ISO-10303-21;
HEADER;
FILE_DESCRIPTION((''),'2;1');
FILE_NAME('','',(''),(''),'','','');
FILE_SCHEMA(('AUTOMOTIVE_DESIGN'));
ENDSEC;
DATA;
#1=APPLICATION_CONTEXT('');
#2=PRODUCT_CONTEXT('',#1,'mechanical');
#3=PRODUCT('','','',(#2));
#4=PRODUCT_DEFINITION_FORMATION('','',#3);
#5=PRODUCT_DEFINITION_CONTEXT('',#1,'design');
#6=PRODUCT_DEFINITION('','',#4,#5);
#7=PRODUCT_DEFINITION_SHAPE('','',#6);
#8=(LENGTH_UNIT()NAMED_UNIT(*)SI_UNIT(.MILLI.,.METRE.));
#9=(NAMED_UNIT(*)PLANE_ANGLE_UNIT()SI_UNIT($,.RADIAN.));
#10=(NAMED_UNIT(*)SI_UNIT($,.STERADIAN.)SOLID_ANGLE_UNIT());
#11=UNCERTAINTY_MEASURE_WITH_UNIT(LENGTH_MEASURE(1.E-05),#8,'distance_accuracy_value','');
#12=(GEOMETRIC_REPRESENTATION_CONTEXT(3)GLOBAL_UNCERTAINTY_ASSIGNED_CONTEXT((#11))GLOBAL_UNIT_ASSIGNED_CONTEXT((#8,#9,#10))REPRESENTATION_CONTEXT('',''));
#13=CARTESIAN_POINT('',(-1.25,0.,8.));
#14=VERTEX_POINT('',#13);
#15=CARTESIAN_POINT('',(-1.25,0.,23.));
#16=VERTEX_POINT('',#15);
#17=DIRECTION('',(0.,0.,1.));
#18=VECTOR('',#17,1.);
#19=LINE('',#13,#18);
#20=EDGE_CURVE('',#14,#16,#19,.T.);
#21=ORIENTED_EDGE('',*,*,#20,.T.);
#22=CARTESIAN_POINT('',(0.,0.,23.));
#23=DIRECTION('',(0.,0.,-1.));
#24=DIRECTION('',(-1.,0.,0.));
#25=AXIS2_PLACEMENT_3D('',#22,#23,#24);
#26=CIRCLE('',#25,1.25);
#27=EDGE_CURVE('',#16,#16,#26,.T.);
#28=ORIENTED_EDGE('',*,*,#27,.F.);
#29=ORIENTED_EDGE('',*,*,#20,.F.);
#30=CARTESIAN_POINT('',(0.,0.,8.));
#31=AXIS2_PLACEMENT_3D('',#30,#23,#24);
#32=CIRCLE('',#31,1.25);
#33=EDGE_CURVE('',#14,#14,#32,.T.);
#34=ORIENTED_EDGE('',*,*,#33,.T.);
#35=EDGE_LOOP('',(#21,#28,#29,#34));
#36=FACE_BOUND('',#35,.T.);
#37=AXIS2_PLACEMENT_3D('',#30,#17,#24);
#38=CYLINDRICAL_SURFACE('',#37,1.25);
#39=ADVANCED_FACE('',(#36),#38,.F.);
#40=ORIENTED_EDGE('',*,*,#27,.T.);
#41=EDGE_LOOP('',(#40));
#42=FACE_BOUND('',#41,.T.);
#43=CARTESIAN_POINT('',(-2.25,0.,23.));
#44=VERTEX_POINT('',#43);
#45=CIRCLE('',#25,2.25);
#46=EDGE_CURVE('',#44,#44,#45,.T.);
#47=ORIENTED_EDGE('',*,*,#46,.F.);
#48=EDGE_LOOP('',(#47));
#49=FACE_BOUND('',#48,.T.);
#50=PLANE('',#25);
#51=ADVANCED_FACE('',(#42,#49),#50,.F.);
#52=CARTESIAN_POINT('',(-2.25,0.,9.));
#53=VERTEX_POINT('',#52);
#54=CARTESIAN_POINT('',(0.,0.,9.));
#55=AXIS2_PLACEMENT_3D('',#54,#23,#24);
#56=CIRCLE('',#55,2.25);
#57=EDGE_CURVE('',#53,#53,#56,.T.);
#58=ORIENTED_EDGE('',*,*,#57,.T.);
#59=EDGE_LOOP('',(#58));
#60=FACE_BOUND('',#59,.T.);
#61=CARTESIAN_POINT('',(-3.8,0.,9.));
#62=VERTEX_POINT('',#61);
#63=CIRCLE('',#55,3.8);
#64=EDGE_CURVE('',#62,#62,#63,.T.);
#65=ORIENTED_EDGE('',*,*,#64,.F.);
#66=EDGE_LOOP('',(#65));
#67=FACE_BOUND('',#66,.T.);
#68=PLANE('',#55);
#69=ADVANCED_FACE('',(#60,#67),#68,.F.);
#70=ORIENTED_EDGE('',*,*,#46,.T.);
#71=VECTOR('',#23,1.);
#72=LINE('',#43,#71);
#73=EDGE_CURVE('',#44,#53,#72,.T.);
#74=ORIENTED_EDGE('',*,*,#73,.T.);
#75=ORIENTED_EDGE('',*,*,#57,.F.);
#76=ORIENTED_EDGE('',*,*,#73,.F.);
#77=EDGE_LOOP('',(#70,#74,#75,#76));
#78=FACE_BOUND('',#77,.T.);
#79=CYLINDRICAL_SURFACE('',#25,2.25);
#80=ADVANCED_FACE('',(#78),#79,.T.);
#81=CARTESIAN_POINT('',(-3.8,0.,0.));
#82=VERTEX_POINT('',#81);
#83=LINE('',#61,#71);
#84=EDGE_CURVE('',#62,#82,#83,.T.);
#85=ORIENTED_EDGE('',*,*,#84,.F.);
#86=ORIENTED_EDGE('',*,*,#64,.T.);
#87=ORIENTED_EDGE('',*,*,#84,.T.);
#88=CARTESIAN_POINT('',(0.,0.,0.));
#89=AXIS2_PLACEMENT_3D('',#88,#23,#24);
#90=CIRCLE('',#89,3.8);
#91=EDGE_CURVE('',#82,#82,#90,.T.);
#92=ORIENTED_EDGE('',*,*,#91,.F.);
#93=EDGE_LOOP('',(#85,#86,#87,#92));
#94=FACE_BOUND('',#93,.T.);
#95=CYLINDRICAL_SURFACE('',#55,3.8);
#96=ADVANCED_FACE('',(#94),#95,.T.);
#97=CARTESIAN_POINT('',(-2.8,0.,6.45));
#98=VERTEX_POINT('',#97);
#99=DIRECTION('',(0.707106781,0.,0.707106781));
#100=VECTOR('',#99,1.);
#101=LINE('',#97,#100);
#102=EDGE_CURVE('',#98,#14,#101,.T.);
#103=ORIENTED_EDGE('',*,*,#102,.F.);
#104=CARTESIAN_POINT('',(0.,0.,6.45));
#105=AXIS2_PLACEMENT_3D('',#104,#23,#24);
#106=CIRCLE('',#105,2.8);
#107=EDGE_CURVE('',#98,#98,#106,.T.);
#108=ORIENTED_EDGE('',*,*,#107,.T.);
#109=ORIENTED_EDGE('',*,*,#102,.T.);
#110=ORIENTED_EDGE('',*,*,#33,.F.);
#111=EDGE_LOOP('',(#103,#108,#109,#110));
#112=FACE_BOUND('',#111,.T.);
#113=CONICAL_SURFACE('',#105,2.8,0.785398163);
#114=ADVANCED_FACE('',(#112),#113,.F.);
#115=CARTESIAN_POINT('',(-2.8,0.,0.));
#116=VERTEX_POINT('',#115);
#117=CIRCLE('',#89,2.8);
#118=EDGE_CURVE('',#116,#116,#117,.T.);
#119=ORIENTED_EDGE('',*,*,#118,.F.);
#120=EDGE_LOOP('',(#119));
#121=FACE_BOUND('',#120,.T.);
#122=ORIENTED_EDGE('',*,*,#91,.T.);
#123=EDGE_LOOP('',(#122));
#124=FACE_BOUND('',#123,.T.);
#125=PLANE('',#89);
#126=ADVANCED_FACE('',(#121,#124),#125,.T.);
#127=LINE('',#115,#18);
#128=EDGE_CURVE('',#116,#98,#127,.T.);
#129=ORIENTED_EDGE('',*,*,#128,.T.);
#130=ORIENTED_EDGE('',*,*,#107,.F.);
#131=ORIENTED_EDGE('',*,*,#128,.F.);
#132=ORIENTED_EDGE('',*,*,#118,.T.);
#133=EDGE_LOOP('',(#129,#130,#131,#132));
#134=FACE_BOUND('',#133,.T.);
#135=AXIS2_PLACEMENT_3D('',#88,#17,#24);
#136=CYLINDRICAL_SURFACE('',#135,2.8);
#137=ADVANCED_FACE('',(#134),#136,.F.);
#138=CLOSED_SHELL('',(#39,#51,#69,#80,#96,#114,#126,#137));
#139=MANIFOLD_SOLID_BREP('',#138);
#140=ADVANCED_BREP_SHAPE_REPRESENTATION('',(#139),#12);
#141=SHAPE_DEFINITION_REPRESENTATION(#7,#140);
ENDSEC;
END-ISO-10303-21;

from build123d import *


with BuildPart() as f1:
    # F0 (on Front) → F1 (revolve)
    with BuildSketch(Plane.XZ):
        Polygon((-3.8, 0), (-2.8, 0), (-2.8, 6.45), (-2.8, 8), (-1.25, 8), (-1.25, 23), (-2.25, 23), (-2.25, 9), (-3.8, 9), align=None)
        Polygon((-2.8, 8), (-2.8, 6.45), (-1.25, 8), align=None)
    revolve(axis=Axis((0, 0, 11.5), (0, 0, -1)))


solid = f1.part
